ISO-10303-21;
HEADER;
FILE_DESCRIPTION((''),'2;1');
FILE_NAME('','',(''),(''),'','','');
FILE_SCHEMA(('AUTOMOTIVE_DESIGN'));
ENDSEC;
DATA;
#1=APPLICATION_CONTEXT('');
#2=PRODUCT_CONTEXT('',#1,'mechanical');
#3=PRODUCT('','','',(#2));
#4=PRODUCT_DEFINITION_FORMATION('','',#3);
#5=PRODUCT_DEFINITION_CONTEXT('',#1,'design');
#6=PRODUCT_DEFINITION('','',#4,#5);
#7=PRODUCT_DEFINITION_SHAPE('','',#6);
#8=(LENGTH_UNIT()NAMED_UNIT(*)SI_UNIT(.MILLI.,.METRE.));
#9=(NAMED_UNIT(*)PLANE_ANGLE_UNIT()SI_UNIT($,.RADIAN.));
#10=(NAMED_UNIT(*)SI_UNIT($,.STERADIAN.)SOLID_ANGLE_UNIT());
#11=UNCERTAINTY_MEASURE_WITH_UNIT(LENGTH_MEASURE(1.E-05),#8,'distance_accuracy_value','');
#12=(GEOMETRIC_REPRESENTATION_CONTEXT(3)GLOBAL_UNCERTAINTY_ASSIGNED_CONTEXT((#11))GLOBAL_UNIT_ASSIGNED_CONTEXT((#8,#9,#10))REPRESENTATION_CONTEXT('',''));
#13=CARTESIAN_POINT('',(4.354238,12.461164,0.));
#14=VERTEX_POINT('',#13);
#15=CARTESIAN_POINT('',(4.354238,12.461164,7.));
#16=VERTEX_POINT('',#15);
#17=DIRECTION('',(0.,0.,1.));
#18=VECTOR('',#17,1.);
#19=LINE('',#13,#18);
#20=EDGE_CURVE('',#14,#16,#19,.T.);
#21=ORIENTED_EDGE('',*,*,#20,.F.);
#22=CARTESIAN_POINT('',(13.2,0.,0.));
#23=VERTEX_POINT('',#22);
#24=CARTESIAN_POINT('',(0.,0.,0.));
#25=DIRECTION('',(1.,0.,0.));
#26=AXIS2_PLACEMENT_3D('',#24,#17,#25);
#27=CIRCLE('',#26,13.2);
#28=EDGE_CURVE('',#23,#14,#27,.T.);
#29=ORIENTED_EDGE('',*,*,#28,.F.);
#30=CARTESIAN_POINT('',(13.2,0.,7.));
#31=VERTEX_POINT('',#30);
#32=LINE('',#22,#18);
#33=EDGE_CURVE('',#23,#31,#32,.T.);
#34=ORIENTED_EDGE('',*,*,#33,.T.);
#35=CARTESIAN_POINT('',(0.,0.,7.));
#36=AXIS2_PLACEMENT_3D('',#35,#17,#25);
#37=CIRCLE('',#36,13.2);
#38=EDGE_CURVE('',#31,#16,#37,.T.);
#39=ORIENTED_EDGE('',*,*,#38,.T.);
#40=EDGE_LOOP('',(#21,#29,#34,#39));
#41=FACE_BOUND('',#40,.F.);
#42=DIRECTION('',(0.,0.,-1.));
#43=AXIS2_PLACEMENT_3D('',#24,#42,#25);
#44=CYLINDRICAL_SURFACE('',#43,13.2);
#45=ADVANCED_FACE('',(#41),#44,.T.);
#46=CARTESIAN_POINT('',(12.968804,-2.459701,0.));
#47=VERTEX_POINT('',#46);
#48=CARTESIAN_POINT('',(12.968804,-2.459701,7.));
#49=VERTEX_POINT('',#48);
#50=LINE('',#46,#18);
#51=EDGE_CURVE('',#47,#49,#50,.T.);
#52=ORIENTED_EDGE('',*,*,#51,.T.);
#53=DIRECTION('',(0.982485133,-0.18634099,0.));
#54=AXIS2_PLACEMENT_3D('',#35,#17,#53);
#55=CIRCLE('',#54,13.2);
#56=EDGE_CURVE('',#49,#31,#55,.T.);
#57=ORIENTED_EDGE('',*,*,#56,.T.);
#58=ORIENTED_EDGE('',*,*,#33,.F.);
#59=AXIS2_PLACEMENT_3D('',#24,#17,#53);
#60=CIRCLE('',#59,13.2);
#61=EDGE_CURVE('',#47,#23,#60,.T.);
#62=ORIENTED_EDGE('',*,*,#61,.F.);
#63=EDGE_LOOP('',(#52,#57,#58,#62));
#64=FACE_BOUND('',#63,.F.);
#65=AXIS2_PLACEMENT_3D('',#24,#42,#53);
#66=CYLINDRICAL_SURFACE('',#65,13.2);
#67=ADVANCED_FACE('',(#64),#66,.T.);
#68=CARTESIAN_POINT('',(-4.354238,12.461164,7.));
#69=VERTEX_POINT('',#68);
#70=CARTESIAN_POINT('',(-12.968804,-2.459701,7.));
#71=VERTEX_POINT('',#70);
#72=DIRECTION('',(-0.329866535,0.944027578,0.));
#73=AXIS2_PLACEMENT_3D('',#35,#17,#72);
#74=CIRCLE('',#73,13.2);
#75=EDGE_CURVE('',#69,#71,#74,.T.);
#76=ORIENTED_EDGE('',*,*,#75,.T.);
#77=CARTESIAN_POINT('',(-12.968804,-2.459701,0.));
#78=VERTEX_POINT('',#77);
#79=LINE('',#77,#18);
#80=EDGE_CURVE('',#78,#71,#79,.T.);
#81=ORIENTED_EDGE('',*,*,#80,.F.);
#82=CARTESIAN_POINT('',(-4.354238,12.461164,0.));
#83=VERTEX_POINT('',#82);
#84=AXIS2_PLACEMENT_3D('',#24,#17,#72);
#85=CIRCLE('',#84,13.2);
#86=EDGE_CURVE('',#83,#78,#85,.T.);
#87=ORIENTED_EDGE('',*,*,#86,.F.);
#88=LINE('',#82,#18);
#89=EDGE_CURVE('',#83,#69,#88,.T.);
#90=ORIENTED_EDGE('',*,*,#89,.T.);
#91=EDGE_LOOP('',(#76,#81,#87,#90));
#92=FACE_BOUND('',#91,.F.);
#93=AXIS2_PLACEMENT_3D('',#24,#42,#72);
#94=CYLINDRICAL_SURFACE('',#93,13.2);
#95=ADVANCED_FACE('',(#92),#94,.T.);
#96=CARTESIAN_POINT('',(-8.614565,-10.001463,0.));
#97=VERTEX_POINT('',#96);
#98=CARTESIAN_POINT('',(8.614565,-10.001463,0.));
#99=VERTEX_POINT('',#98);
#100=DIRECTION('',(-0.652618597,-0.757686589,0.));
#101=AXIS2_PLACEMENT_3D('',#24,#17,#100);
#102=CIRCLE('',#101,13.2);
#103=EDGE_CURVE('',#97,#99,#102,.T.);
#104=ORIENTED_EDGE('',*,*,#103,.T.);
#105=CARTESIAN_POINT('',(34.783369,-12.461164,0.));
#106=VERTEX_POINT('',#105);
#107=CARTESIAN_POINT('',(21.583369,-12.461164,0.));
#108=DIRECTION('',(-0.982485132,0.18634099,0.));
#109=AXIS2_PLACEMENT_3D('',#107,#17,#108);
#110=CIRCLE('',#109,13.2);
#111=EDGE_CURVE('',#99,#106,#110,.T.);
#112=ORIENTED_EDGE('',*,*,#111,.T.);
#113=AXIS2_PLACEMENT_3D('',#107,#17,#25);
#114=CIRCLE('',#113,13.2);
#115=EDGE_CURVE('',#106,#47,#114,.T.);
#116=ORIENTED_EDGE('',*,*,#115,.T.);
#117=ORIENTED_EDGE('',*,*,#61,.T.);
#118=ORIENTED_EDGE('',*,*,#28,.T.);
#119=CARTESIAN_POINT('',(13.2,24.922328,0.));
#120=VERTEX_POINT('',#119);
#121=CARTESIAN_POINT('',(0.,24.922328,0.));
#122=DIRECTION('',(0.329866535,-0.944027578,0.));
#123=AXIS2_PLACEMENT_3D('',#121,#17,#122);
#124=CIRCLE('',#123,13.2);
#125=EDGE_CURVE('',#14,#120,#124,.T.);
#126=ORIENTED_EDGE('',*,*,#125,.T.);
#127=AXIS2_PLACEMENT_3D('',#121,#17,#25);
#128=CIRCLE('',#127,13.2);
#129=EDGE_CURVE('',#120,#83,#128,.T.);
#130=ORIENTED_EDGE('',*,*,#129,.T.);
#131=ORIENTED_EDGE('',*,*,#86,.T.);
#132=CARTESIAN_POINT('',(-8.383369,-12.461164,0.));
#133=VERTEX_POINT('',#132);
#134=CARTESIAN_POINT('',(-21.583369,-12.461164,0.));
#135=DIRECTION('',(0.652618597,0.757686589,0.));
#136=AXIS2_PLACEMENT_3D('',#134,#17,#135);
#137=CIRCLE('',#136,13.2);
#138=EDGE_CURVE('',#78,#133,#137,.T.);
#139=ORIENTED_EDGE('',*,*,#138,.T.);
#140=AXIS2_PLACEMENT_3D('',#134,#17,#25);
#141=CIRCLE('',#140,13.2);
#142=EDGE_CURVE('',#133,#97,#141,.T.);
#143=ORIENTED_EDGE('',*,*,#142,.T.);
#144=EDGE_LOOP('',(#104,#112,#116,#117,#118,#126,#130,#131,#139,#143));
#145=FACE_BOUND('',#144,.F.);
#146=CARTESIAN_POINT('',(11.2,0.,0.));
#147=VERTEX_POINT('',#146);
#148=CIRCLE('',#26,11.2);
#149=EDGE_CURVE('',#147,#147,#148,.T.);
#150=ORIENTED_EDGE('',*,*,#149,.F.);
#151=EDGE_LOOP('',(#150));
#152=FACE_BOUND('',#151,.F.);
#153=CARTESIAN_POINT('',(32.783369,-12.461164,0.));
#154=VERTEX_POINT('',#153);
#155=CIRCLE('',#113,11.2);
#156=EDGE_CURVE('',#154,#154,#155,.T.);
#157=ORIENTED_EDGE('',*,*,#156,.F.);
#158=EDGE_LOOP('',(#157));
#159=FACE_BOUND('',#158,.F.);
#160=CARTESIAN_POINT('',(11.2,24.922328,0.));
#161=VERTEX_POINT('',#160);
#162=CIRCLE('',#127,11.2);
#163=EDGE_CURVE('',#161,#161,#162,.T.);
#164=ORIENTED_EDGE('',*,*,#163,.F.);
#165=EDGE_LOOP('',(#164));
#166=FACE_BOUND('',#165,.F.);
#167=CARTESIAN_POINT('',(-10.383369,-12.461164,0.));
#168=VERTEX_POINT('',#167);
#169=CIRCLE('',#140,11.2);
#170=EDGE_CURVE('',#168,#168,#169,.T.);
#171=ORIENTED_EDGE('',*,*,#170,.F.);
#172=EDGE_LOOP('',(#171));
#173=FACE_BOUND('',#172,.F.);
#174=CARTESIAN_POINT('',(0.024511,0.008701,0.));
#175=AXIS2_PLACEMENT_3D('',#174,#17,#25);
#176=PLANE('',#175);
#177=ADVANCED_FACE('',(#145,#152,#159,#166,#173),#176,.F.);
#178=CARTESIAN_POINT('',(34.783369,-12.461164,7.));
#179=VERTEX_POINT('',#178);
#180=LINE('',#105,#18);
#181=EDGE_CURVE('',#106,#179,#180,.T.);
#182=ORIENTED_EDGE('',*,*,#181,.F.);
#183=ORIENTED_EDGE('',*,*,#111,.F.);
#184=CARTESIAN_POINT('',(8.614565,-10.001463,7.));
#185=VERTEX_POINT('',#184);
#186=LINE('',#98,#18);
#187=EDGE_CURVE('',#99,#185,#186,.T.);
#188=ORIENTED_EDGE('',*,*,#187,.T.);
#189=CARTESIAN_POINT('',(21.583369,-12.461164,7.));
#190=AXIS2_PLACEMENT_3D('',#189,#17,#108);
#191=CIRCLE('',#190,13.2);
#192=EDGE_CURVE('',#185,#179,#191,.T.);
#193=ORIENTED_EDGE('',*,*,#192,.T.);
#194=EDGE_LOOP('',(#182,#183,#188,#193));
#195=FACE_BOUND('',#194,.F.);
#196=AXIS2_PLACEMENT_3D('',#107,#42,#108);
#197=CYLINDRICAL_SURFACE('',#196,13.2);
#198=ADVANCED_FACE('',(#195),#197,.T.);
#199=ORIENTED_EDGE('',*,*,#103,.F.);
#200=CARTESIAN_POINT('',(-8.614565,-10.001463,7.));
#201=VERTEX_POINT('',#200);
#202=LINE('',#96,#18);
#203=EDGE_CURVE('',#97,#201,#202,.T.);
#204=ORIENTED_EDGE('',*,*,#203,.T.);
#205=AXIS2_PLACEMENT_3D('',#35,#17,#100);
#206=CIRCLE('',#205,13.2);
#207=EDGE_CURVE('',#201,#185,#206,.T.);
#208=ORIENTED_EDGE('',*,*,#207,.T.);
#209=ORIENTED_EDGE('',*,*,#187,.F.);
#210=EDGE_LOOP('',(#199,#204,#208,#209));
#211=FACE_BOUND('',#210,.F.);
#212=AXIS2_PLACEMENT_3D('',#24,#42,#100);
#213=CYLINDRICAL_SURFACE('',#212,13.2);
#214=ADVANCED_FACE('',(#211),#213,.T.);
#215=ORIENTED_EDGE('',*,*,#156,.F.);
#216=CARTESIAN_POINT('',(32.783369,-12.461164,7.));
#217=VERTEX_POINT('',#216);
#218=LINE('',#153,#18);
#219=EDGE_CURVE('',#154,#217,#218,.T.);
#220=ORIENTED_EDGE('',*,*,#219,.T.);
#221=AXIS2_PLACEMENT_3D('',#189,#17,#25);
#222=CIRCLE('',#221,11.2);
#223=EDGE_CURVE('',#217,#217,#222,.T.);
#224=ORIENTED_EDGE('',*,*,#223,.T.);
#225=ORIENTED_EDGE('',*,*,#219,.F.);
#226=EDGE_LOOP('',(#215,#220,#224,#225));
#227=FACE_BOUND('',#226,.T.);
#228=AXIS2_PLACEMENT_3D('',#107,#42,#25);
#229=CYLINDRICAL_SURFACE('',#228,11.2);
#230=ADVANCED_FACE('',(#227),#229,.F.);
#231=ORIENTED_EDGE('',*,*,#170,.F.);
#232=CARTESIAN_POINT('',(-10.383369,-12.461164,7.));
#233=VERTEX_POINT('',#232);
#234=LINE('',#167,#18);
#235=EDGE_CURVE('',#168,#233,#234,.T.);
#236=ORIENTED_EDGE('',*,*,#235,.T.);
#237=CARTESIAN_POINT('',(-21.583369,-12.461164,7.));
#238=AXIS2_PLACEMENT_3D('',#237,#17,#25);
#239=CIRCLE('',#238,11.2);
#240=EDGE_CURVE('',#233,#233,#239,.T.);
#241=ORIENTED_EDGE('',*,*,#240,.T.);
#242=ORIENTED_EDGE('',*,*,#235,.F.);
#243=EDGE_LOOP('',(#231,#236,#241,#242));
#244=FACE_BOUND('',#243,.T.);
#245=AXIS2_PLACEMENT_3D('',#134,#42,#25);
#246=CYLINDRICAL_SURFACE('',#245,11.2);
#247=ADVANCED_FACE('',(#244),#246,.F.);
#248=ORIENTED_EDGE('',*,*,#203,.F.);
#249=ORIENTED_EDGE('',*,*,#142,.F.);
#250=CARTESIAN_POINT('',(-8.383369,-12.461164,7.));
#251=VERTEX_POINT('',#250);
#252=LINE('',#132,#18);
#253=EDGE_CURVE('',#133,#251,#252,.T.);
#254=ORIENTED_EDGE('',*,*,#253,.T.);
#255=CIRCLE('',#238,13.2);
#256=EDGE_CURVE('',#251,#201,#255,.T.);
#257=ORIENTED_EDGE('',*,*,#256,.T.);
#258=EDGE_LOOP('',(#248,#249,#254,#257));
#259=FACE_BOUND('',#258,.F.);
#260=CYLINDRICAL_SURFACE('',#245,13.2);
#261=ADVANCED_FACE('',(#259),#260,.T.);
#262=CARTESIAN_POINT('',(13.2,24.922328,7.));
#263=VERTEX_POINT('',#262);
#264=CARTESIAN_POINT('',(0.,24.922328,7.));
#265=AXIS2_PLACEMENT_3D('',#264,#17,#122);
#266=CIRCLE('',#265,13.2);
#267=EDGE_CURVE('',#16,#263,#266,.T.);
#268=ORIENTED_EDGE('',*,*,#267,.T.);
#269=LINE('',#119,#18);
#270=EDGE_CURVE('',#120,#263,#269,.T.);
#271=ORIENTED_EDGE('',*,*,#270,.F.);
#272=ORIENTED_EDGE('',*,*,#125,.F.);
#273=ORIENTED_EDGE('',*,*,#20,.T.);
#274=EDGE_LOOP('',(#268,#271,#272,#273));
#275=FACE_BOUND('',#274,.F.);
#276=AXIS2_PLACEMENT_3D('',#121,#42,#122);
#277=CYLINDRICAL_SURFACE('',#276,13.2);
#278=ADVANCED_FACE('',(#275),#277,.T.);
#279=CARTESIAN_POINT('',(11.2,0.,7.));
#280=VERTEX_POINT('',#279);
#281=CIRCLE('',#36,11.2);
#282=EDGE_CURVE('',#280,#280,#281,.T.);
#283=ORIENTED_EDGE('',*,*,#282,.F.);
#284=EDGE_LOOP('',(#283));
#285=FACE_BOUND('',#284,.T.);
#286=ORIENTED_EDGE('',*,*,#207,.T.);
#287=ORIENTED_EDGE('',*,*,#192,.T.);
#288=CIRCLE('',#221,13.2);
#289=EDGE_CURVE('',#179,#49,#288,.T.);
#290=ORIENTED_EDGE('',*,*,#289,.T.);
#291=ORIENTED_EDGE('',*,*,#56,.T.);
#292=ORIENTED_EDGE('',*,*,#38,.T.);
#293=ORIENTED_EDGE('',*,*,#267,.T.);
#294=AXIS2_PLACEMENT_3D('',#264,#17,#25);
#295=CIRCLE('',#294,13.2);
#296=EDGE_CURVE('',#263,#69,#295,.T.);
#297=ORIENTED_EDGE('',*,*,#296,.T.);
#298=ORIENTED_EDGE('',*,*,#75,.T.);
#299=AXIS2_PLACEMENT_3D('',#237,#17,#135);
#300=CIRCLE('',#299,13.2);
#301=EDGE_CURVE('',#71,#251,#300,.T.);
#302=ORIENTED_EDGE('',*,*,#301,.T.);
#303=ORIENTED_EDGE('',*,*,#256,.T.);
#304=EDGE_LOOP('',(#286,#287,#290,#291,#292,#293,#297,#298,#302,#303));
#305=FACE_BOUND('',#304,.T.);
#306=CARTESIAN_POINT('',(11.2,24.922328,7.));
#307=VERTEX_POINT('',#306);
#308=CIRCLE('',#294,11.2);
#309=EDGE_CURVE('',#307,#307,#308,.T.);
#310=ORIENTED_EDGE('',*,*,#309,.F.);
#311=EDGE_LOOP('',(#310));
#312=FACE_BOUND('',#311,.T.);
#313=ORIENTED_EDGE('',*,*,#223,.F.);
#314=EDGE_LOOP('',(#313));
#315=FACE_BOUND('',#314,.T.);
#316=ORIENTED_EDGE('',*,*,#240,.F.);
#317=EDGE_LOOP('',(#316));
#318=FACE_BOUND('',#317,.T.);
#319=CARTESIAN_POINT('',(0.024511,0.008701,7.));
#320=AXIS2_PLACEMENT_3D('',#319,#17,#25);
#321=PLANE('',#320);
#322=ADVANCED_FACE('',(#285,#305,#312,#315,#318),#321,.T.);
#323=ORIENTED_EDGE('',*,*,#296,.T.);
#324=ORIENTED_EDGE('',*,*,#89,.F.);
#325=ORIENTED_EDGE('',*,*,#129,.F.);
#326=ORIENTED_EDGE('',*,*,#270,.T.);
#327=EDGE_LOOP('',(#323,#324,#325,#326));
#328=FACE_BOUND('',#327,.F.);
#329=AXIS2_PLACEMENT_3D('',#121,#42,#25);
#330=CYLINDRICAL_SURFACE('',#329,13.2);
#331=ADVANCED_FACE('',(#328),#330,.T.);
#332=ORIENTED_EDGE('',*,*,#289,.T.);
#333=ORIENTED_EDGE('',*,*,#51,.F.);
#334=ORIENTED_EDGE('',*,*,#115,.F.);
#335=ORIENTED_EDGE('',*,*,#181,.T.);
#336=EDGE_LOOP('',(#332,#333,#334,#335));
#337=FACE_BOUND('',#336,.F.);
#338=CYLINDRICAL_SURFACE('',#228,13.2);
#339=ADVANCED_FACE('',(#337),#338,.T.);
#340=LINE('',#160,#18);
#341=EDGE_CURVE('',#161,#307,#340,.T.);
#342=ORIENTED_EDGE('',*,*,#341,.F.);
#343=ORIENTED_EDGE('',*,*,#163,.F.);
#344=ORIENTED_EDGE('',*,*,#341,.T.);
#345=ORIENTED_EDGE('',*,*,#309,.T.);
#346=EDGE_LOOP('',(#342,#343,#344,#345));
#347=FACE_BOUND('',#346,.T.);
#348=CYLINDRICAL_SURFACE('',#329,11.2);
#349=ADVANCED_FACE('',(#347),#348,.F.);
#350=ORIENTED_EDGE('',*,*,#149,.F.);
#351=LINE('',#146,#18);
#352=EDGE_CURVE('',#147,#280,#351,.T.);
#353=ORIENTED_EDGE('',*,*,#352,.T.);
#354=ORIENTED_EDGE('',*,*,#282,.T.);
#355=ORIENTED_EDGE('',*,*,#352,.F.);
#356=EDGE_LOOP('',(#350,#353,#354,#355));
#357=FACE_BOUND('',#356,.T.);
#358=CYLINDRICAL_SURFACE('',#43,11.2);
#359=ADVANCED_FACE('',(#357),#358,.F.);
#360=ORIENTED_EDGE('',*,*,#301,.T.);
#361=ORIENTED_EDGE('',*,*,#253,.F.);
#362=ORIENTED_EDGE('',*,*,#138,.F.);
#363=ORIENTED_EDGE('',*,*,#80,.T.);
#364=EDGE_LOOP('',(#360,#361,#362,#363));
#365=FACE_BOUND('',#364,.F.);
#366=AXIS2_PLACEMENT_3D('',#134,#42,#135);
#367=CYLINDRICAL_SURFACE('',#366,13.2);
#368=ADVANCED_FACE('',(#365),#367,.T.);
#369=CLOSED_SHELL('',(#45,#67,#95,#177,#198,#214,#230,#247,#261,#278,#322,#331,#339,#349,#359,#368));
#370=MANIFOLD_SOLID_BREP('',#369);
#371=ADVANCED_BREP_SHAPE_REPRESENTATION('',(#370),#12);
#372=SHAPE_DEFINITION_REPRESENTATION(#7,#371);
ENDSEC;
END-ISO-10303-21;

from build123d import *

# Parameters (mm, degrees)
F0_R     = 11.2
F1_DEPTH = 7


with BuildPart() as f1:
    # F0 (on Top) → F1 (new body)
    with BuildSketch(Plane.XY):
        with BuildLine():
            ThreePointArc((12.968803749, -2.4597010632), (13.1420738372, -1.2352713292), (13.2, 0))
            ThreePointArc((13.2, 0), (10.7637341369, 7.6408132702), (4.3542382681, 12.4611640349))
            ThreePointArc((4.3542382681, 12.4611640349), (0, 11.7223280698), (-4.3542382681, 12.4611640349))
            ThreePointArc((-4.3542382681, 12.4611640349), (-11.43153533, 6.6), (-12.968803749, -2.4597010632))
            ThreePointArc((-12.968803749, -2.4597010632), (-10.1518338999, -5.8611640349), (-8.6145654809, -10.0014629717))
            ThreePointArc((-8.6145654809, -10.0014629717), (0, -13.2), (8.6145654809, -10.0014629717))
            ThreePointArc((8.6145654809, -10.0014629717), (10.1518338999, -5.8611640349), (12.968803749, -2.4597010632))
        make_face()
        Circle(F0_R, mode=Mode.SUBTRACT)
        with BuildLine():
            ThreePointArc((-4.3542382681, 12.4611640349), (0, 11.7223280698), (4.3542382681, 12.4611640349))
            ThreePointArc((4.3542382681, 12.4611640349), (0, 13.2), (-4.3542382681, 12.4611640349))
        make_face()
        with BuildLine():
            ThreePointArc((-4.3542382681, 12.4611640349), (0, 13.2), (4.3542382681, 12.4611640349))
            ThreePointArc((4.3542382681, 12.4611640349), (10.7637341369, 17.2815147996), (13.2, 24.9223280698))
            ThreePointArc((13.2, 24.9223280698), (-7.6408132702, 35.6860622067), (-4.3542382681, 12.4611640349))
        make_face()
        with Locations((0, 24.9223280698)):
            Circle(F0_R, mode=Mode.SUBTRACT)
        with BuildLine():
            ThreePointArc((34.7833692299, -12.4611640349), (27.0846297969, -0.4621585689), (12.968803749, -2.4597010632))
            ThreePointArc((12.968803749, -2.4597010632), (11.43153533, -6.6), (8.6145654809, -10.0014629717))
            ThreePointArc((8.6145654809, -10.0014629717), (20.3480979007, -25.6032378721), (34.7833692299, -12.4611640349))
        make_face()
        with Locations((21.5833692299, -12.4611640349)):
            Circle(F0_R, mode=Mode.SUBTRACT)
        with BuildLine():
            ThreePointArc((8.6145654809, -10.0014629717), (11.43153533, -6.6), (12.968803749, -2.4597010632))
            ThreePointArc((12.968803749, -2.4597010632), (10.1518338999, -5.8611640349), (8.6145654809, -10.0014629717))
        make_face()
        with BuildLine():
            ThreePointArc((-8.6145654809, -10.0014629717), (-10.1518338999, -5.8611640349), (-12.968803749, -2.4597010632))
            ThreePointArc((-12.968803749, -2.4597010632), (-11.43153533, -6.6), (-8.6145654809, -10.0014629717))
        make_face()
        with BuildLine():
            ThreePointArc((-8.6145654809, -10.0014629717), (-11.43153533, -6.6), (-12.968803749, -2.4597010632))
            ThreePointArc((-12.968803749, -2.4597010632), (-33.5823746959, -17.9624246019), (-8.3833692299, -12.4611640349))
            ThreePointArc((-8.3833692299, -12.4611640349), (-8.4412953927, -11.2258927057), (-8.6145654809, -10.0014629717))
        make_face()
        with Locations((-21.5833692299, -12.4611640349)):
            Circle(F0_R, mode=Mode.SUBTRACT)
    extrude(amount=F1_DEPTH)


solid = f1.part
